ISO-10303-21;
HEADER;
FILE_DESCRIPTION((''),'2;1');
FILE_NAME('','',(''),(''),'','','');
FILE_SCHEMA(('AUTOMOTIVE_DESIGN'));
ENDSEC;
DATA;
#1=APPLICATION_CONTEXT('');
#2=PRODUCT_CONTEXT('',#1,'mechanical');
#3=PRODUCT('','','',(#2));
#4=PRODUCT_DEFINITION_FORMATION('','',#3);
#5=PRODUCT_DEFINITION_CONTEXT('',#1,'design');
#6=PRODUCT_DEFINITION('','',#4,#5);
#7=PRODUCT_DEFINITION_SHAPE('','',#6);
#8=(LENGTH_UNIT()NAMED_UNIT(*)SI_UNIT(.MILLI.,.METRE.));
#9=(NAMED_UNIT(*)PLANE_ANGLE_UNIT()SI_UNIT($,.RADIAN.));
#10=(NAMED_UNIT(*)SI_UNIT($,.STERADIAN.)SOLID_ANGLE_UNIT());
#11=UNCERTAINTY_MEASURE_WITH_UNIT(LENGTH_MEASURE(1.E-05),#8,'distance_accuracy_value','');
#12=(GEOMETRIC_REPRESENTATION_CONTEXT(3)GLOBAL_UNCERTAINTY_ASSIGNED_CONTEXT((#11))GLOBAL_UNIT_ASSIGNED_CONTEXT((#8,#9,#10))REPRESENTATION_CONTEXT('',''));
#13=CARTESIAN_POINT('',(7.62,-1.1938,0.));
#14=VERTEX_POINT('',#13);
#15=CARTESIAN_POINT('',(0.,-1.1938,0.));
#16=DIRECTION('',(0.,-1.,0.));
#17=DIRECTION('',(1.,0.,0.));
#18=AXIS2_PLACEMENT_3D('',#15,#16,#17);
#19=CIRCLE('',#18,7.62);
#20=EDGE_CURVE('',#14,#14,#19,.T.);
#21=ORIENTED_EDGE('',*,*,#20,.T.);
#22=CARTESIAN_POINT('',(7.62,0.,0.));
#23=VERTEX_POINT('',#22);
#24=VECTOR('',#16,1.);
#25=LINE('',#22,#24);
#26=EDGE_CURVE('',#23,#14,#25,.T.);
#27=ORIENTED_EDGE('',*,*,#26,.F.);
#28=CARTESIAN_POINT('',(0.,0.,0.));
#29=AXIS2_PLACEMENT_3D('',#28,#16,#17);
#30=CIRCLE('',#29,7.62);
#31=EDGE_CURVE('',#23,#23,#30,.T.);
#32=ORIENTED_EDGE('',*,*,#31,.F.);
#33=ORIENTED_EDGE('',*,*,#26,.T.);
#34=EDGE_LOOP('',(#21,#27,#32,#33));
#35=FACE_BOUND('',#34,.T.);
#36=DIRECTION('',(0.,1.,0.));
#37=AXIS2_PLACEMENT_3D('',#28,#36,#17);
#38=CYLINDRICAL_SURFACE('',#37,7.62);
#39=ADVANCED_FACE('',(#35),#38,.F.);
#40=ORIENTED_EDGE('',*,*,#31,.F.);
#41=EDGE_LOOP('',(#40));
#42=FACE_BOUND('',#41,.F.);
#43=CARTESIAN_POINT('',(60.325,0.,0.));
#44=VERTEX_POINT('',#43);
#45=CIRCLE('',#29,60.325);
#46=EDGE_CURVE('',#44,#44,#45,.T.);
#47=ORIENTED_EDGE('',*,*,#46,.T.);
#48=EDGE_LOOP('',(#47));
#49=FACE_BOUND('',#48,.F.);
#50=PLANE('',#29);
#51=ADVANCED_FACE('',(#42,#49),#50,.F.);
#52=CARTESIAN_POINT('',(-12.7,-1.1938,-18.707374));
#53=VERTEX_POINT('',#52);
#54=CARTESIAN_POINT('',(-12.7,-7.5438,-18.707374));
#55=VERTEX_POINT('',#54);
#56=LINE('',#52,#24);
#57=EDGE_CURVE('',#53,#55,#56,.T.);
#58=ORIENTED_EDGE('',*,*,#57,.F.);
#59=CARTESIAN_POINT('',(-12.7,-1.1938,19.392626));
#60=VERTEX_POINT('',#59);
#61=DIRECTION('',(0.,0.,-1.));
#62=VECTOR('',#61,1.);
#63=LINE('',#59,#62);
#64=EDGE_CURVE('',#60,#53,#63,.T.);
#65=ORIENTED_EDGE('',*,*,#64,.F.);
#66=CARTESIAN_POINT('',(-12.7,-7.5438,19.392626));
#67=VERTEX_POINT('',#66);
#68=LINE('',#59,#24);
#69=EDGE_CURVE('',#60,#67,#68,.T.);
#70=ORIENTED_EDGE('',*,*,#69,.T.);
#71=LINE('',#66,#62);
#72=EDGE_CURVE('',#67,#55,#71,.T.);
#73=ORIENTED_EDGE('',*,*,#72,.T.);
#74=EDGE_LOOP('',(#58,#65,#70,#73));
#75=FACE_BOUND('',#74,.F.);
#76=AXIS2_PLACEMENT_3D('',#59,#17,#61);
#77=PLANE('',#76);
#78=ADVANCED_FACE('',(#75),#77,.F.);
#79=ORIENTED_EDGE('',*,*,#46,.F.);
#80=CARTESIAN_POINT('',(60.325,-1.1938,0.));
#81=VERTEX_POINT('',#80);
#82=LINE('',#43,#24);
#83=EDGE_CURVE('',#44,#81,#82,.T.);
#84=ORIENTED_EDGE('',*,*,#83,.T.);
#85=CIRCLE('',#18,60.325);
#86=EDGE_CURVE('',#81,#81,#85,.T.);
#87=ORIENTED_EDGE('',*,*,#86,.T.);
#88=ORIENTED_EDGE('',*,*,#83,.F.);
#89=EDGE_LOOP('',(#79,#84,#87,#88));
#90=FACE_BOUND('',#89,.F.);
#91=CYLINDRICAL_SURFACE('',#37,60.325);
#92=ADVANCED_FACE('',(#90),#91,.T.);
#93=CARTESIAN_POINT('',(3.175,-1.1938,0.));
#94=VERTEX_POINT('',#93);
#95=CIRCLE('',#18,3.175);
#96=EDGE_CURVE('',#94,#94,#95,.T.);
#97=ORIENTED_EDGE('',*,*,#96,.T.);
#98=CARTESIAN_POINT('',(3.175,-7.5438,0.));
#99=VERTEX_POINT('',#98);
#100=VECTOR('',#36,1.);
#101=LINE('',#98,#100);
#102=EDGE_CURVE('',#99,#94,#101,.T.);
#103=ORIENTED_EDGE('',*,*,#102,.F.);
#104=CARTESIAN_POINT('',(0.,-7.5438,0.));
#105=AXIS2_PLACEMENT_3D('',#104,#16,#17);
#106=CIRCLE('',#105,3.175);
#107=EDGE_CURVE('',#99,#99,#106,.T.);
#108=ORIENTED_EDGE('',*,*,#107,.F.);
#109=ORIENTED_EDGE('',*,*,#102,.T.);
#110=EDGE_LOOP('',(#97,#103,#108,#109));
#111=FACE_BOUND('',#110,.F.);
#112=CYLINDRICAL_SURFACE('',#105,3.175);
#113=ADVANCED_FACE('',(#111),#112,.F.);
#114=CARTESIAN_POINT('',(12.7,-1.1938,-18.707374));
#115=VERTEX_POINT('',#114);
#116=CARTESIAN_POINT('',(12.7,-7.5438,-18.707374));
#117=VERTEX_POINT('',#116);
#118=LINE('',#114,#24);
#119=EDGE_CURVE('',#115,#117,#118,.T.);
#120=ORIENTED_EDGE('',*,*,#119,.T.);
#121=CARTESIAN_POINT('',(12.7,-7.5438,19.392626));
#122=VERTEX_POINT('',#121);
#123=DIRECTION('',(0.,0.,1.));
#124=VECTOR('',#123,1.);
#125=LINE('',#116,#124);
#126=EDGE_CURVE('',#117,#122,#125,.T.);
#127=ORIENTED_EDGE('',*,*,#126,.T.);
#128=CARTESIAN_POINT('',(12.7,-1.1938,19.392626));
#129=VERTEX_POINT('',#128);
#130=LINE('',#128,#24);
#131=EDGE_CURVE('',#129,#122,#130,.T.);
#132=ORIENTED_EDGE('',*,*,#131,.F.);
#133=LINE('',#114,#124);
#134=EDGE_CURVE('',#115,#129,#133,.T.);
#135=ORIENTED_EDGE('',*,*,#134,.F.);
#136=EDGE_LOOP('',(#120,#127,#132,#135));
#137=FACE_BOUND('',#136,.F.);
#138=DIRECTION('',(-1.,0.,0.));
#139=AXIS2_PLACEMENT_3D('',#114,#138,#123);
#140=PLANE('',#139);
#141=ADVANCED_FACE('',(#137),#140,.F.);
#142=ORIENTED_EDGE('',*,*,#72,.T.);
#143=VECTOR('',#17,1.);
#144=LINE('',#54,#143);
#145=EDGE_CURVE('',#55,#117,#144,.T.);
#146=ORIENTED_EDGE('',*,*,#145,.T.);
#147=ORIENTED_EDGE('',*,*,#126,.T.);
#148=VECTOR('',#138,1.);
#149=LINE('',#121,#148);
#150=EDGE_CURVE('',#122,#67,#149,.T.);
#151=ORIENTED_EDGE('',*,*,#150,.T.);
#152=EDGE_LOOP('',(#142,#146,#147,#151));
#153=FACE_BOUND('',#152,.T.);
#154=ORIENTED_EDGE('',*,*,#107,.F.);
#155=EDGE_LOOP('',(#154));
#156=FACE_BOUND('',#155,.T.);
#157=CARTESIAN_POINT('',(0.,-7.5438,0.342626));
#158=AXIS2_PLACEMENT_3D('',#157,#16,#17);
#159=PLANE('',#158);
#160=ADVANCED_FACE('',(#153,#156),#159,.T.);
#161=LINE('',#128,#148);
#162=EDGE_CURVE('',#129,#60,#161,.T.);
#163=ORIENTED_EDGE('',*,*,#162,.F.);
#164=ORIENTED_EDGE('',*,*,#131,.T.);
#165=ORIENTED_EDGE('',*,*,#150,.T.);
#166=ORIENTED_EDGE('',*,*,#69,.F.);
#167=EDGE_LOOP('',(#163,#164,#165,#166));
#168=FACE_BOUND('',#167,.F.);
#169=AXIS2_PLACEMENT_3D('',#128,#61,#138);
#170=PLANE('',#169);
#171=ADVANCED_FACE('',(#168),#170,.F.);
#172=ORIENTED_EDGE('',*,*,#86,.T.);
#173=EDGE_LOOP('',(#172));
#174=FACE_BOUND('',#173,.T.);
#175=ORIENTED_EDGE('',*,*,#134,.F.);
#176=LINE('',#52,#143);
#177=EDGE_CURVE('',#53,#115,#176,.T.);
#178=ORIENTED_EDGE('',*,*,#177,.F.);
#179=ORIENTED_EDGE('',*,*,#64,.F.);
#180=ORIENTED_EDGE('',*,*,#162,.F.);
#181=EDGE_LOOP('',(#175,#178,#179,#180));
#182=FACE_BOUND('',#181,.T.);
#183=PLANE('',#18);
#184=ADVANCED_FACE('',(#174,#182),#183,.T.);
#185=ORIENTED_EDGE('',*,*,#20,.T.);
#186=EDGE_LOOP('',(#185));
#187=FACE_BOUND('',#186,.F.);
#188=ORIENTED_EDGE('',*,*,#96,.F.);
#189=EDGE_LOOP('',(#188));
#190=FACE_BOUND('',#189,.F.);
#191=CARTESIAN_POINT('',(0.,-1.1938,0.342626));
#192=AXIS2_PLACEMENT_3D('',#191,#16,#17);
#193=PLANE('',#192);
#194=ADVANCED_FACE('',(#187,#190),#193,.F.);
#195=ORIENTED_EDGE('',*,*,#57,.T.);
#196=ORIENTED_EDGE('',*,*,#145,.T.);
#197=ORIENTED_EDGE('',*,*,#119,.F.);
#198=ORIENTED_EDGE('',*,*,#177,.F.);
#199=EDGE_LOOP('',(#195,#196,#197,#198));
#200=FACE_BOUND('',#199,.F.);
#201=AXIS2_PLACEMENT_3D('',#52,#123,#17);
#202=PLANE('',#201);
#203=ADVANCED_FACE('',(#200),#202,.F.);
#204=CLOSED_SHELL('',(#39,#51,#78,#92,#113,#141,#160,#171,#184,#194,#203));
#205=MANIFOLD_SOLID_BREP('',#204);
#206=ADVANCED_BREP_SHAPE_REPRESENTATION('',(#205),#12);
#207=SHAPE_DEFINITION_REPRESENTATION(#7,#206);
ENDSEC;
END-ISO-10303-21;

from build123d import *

# Parameters (mm, degrees)
F0_R     = 60.325
F0_R_2   = 7.62
F1_DEPTH = 1.1938
F2_R     = 7.62
F3_DEPTH = 6.35
F4_R     = 3.175
F5_DEPTH = 25.4


with BuildPart() as f1:
    # F0 (on Front) → F1 (new body)
    with BuildSketch(Plane.XZ):
        Circle(F0_R)
        Circle(F0_R_2, mode=Mode.SUBTRACT)
    extrude(amount=F1_DEPTH)

    # F2 (on face) → F3 (join)
    with BuildSketch(Plane.XZ.offset(1.1938)):
        Polygon((12.7, 19.392626), (0, 19.392626), (-12.7, 19.392626), (-12.7, -18.707374), (12.7, -18.707374), align=None)
        Circle(F2_R, mode=Mode.SUBTRACT)
        Circle(F2_R)
    extrude(amount=F3_DEPTH)

    # F4 (on face) → F5 (cut)
    with BuildSketch(Plane.XZ.offset(7.5438)):
        Circle(F4_R)
    extrude(amount=-F5_DEPTH, mode=Mode.SUBTRACT)


solid = f1.part
